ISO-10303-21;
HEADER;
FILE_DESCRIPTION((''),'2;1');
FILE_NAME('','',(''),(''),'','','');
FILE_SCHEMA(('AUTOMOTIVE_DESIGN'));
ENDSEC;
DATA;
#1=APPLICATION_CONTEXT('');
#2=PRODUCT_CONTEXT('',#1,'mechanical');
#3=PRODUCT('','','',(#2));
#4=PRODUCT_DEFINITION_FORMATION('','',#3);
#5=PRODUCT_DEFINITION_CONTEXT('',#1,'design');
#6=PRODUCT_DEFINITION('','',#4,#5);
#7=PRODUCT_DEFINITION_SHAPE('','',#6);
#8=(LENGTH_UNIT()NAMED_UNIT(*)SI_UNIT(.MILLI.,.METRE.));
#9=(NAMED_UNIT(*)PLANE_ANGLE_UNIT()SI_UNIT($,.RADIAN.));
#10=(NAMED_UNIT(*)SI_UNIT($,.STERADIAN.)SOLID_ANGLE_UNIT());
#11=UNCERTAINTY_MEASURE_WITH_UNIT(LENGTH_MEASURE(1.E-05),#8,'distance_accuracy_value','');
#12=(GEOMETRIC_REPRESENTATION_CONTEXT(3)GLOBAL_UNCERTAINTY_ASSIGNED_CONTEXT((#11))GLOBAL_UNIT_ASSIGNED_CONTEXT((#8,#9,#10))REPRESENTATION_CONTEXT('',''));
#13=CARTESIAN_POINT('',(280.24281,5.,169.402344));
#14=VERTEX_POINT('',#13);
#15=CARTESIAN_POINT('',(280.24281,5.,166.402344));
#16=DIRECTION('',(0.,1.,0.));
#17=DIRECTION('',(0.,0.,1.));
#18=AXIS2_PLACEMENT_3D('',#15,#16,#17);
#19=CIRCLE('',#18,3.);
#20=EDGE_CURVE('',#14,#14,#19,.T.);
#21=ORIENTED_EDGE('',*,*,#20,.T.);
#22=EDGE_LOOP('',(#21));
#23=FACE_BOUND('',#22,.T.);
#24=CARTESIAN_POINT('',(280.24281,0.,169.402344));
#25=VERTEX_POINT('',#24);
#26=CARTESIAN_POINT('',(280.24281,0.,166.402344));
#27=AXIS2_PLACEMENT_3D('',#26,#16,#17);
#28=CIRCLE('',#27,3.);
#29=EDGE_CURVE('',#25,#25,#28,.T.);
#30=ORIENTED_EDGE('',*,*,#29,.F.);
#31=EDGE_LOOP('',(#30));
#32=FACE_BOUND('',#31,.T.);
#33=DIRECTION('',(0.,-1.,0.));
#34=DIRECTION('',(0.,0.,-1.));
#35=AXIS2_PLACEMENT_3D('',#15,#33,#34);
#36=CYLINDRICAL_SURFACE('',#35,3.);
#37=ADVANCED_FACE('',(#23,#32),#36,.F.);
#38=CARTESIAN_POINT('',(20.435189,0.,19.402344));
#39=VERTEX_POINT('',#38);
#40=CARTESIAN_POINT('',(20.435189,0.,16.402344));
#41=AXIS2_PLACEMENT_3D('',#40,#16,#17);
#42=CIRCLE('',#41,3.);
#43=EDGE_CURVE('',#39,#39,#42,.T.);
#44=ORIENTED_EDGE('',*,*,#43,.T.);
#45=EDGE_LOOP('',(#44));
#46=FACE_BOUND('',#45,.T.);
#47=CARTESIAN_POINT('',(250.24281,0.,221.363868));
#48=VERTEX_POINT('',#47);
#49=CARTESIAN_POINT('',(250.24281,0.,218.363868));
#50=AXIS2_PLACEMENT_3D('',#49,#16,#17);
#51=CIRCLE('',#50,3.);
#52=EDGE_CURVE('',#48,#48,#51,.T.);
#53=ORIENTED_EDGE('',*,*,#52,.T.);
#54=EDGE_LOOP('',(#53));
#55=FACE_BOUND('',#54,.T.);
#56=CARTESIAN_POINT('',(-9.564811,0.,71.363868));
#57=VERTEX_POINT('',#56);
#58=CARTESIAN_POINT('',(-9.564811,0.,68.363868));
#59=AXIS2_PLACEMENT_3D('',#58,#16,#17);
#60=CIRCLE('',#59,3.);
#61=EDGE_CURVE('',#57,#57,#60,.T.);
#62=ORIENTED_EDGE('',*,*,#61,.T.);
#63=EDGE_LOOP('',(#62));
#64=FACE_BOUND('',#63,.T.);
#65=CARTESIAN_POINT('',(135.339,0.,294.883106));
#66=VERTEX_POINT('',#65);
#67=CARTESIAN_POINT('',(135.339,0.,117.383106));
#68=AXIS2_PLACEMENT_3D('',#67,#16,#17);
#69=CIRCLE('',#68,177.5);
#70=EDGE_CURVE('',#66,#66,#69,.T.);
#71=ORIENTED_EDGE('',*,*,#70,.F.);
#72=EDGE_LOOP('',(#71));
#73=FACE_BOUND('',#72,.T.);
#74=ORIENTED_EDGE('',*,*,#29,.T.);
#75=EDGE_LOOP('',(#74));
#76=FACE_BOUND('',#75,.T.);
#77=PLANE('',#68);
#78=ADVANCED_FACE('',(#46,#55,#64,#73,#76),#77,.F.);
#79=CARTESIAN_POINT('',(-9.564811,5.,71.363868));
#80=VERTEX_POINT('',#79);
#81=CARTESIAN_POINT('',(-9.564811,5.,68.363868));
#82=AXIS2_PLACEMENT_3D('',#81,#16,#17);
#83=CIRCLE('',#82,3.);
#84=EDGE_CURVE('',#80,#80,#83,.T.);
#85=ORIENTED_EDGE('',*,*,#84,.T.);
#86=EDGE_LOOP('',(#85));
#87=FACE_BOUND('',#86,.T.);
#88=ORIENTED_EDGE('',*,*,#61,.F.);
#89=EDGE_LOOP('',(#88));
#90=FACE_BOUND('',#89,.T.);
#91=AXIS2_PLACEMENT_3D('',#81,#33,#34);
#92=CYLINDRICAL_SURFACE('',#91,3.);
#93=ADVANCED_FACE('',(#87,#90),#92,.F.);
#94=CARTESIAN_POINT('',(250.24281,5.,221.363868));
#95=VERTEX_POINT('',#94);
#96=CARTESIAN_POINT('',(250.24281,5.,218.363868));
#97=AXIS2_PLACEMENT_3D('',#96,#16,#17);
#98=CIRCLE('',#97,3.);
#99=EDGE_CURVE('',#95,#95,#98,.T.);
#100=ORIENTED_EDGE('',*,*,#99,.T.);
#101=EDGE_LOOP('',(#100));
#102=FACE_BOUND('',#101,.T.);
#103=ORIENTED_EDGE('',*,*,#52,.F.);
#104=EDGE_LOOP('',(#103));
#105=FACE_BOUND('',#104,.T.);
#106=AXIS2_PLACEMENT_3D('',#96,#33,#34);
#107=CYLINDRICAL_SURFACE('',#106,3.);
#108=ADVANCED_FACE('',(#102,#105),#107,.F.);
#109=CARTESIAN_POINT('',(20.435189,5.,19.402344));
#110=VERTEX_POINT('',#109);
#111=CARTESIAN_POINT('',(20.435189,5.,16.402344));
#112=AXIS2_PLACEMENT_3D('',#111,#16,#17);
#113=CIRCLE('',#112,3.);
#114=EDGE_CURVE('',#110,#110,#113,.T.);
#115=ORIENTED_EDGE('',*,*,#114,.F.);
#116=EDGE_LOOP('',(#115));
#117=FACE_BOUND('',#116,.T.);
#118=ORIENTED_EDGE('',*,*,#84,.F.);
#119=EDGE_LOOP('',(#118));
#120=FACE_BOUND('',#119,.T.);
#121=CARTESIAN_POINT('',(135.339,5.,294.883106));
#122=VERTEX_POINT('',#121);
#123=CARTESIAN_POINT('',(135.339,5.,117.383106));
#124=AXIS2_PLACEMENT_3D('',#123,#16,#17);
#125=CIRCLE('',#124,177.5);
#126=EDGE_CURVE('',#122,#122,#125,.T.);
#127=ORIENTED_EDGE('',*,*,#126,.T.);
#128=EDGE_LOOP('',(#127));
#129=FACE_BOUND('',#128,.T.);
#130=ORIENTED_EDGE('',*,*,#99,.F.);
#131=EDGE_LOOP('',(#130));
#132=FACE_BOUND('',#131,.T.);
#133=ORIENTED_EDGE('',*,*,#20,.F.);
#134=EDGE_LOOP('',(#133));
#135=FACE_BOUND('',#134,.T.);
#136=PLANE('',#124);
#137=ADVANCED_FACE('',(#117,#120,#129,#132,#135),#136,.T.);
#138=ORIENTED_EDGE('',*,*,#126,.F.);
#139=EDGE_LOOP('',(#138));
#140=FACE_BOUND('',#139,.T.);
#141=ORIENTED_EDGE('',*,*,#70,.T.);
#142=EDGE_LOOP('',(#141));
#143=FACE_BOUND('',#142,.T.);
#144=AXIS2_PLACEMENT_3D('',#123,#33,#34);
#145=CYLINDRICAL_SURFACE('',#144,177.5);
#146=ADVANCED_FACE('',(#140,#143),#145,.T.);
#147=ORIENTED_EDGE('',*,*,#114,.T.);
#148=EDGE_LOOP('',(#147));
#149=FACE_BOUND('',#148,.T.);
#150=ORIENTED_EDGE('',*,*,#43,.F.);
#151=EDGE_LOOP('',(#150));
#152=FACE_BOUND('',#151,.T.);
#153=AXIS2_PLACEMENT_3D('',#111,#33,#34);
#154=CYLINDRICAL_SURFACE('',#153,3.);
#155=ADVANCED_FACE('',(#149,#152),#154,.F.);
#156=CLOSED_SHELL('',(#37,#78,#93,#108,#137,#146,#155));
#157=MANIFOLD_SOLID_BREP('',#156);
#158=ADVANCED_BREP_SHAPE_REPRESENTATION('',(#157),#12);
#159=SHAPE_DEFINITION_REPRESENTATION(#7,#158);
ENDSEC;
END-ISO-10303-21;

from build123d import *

# Parameters (mm, degrees)
SKETCH_1_R      = 177.5
SKETCH_1_R_2    = 3
EXTRUDE_1_DEPTH = 5


with BuildPart() as part:
    # 草图1 → 凸台-拉伸1 (new body)
    with BuildSketch(Plane(origin=(0, 0, 0), x_dir=(1, 0, 0), z_dir=(0, 1, 0))):
        with Locations(Location((135.338999709, -117.383106, 0), (0, 0, 270))):
            Circle(SKETCH_1_R)
        with Locations(Location((20.435189142, -16.402343887, 0), (0, 0, 270))):
            Circle(SKETCH_1_R_2, mode=Mode.SUBTRACT)
        with Locations(Location((-9.564810858, -68.363868114, 0), (0, 0, 270))):
            Circle(SKETCH_1_R_2, mode=Mode.SUBTRACT)
        with Locations(Location((250.242810277, -218.363868114, 0), (0, 0, 270))):
            Circle(SKETCH_1_R_2, mode=Mode.SUBTRACT)
        with Locations(Location((280.242810277, -166.402343887, 0), (0, 0, 270))):
            Circle(SKETCH_1_R_2, mode=Mode.SUBTRACT)
    extrude(amount=EXTRUDE_1_DEPTH)


solid = part.part
